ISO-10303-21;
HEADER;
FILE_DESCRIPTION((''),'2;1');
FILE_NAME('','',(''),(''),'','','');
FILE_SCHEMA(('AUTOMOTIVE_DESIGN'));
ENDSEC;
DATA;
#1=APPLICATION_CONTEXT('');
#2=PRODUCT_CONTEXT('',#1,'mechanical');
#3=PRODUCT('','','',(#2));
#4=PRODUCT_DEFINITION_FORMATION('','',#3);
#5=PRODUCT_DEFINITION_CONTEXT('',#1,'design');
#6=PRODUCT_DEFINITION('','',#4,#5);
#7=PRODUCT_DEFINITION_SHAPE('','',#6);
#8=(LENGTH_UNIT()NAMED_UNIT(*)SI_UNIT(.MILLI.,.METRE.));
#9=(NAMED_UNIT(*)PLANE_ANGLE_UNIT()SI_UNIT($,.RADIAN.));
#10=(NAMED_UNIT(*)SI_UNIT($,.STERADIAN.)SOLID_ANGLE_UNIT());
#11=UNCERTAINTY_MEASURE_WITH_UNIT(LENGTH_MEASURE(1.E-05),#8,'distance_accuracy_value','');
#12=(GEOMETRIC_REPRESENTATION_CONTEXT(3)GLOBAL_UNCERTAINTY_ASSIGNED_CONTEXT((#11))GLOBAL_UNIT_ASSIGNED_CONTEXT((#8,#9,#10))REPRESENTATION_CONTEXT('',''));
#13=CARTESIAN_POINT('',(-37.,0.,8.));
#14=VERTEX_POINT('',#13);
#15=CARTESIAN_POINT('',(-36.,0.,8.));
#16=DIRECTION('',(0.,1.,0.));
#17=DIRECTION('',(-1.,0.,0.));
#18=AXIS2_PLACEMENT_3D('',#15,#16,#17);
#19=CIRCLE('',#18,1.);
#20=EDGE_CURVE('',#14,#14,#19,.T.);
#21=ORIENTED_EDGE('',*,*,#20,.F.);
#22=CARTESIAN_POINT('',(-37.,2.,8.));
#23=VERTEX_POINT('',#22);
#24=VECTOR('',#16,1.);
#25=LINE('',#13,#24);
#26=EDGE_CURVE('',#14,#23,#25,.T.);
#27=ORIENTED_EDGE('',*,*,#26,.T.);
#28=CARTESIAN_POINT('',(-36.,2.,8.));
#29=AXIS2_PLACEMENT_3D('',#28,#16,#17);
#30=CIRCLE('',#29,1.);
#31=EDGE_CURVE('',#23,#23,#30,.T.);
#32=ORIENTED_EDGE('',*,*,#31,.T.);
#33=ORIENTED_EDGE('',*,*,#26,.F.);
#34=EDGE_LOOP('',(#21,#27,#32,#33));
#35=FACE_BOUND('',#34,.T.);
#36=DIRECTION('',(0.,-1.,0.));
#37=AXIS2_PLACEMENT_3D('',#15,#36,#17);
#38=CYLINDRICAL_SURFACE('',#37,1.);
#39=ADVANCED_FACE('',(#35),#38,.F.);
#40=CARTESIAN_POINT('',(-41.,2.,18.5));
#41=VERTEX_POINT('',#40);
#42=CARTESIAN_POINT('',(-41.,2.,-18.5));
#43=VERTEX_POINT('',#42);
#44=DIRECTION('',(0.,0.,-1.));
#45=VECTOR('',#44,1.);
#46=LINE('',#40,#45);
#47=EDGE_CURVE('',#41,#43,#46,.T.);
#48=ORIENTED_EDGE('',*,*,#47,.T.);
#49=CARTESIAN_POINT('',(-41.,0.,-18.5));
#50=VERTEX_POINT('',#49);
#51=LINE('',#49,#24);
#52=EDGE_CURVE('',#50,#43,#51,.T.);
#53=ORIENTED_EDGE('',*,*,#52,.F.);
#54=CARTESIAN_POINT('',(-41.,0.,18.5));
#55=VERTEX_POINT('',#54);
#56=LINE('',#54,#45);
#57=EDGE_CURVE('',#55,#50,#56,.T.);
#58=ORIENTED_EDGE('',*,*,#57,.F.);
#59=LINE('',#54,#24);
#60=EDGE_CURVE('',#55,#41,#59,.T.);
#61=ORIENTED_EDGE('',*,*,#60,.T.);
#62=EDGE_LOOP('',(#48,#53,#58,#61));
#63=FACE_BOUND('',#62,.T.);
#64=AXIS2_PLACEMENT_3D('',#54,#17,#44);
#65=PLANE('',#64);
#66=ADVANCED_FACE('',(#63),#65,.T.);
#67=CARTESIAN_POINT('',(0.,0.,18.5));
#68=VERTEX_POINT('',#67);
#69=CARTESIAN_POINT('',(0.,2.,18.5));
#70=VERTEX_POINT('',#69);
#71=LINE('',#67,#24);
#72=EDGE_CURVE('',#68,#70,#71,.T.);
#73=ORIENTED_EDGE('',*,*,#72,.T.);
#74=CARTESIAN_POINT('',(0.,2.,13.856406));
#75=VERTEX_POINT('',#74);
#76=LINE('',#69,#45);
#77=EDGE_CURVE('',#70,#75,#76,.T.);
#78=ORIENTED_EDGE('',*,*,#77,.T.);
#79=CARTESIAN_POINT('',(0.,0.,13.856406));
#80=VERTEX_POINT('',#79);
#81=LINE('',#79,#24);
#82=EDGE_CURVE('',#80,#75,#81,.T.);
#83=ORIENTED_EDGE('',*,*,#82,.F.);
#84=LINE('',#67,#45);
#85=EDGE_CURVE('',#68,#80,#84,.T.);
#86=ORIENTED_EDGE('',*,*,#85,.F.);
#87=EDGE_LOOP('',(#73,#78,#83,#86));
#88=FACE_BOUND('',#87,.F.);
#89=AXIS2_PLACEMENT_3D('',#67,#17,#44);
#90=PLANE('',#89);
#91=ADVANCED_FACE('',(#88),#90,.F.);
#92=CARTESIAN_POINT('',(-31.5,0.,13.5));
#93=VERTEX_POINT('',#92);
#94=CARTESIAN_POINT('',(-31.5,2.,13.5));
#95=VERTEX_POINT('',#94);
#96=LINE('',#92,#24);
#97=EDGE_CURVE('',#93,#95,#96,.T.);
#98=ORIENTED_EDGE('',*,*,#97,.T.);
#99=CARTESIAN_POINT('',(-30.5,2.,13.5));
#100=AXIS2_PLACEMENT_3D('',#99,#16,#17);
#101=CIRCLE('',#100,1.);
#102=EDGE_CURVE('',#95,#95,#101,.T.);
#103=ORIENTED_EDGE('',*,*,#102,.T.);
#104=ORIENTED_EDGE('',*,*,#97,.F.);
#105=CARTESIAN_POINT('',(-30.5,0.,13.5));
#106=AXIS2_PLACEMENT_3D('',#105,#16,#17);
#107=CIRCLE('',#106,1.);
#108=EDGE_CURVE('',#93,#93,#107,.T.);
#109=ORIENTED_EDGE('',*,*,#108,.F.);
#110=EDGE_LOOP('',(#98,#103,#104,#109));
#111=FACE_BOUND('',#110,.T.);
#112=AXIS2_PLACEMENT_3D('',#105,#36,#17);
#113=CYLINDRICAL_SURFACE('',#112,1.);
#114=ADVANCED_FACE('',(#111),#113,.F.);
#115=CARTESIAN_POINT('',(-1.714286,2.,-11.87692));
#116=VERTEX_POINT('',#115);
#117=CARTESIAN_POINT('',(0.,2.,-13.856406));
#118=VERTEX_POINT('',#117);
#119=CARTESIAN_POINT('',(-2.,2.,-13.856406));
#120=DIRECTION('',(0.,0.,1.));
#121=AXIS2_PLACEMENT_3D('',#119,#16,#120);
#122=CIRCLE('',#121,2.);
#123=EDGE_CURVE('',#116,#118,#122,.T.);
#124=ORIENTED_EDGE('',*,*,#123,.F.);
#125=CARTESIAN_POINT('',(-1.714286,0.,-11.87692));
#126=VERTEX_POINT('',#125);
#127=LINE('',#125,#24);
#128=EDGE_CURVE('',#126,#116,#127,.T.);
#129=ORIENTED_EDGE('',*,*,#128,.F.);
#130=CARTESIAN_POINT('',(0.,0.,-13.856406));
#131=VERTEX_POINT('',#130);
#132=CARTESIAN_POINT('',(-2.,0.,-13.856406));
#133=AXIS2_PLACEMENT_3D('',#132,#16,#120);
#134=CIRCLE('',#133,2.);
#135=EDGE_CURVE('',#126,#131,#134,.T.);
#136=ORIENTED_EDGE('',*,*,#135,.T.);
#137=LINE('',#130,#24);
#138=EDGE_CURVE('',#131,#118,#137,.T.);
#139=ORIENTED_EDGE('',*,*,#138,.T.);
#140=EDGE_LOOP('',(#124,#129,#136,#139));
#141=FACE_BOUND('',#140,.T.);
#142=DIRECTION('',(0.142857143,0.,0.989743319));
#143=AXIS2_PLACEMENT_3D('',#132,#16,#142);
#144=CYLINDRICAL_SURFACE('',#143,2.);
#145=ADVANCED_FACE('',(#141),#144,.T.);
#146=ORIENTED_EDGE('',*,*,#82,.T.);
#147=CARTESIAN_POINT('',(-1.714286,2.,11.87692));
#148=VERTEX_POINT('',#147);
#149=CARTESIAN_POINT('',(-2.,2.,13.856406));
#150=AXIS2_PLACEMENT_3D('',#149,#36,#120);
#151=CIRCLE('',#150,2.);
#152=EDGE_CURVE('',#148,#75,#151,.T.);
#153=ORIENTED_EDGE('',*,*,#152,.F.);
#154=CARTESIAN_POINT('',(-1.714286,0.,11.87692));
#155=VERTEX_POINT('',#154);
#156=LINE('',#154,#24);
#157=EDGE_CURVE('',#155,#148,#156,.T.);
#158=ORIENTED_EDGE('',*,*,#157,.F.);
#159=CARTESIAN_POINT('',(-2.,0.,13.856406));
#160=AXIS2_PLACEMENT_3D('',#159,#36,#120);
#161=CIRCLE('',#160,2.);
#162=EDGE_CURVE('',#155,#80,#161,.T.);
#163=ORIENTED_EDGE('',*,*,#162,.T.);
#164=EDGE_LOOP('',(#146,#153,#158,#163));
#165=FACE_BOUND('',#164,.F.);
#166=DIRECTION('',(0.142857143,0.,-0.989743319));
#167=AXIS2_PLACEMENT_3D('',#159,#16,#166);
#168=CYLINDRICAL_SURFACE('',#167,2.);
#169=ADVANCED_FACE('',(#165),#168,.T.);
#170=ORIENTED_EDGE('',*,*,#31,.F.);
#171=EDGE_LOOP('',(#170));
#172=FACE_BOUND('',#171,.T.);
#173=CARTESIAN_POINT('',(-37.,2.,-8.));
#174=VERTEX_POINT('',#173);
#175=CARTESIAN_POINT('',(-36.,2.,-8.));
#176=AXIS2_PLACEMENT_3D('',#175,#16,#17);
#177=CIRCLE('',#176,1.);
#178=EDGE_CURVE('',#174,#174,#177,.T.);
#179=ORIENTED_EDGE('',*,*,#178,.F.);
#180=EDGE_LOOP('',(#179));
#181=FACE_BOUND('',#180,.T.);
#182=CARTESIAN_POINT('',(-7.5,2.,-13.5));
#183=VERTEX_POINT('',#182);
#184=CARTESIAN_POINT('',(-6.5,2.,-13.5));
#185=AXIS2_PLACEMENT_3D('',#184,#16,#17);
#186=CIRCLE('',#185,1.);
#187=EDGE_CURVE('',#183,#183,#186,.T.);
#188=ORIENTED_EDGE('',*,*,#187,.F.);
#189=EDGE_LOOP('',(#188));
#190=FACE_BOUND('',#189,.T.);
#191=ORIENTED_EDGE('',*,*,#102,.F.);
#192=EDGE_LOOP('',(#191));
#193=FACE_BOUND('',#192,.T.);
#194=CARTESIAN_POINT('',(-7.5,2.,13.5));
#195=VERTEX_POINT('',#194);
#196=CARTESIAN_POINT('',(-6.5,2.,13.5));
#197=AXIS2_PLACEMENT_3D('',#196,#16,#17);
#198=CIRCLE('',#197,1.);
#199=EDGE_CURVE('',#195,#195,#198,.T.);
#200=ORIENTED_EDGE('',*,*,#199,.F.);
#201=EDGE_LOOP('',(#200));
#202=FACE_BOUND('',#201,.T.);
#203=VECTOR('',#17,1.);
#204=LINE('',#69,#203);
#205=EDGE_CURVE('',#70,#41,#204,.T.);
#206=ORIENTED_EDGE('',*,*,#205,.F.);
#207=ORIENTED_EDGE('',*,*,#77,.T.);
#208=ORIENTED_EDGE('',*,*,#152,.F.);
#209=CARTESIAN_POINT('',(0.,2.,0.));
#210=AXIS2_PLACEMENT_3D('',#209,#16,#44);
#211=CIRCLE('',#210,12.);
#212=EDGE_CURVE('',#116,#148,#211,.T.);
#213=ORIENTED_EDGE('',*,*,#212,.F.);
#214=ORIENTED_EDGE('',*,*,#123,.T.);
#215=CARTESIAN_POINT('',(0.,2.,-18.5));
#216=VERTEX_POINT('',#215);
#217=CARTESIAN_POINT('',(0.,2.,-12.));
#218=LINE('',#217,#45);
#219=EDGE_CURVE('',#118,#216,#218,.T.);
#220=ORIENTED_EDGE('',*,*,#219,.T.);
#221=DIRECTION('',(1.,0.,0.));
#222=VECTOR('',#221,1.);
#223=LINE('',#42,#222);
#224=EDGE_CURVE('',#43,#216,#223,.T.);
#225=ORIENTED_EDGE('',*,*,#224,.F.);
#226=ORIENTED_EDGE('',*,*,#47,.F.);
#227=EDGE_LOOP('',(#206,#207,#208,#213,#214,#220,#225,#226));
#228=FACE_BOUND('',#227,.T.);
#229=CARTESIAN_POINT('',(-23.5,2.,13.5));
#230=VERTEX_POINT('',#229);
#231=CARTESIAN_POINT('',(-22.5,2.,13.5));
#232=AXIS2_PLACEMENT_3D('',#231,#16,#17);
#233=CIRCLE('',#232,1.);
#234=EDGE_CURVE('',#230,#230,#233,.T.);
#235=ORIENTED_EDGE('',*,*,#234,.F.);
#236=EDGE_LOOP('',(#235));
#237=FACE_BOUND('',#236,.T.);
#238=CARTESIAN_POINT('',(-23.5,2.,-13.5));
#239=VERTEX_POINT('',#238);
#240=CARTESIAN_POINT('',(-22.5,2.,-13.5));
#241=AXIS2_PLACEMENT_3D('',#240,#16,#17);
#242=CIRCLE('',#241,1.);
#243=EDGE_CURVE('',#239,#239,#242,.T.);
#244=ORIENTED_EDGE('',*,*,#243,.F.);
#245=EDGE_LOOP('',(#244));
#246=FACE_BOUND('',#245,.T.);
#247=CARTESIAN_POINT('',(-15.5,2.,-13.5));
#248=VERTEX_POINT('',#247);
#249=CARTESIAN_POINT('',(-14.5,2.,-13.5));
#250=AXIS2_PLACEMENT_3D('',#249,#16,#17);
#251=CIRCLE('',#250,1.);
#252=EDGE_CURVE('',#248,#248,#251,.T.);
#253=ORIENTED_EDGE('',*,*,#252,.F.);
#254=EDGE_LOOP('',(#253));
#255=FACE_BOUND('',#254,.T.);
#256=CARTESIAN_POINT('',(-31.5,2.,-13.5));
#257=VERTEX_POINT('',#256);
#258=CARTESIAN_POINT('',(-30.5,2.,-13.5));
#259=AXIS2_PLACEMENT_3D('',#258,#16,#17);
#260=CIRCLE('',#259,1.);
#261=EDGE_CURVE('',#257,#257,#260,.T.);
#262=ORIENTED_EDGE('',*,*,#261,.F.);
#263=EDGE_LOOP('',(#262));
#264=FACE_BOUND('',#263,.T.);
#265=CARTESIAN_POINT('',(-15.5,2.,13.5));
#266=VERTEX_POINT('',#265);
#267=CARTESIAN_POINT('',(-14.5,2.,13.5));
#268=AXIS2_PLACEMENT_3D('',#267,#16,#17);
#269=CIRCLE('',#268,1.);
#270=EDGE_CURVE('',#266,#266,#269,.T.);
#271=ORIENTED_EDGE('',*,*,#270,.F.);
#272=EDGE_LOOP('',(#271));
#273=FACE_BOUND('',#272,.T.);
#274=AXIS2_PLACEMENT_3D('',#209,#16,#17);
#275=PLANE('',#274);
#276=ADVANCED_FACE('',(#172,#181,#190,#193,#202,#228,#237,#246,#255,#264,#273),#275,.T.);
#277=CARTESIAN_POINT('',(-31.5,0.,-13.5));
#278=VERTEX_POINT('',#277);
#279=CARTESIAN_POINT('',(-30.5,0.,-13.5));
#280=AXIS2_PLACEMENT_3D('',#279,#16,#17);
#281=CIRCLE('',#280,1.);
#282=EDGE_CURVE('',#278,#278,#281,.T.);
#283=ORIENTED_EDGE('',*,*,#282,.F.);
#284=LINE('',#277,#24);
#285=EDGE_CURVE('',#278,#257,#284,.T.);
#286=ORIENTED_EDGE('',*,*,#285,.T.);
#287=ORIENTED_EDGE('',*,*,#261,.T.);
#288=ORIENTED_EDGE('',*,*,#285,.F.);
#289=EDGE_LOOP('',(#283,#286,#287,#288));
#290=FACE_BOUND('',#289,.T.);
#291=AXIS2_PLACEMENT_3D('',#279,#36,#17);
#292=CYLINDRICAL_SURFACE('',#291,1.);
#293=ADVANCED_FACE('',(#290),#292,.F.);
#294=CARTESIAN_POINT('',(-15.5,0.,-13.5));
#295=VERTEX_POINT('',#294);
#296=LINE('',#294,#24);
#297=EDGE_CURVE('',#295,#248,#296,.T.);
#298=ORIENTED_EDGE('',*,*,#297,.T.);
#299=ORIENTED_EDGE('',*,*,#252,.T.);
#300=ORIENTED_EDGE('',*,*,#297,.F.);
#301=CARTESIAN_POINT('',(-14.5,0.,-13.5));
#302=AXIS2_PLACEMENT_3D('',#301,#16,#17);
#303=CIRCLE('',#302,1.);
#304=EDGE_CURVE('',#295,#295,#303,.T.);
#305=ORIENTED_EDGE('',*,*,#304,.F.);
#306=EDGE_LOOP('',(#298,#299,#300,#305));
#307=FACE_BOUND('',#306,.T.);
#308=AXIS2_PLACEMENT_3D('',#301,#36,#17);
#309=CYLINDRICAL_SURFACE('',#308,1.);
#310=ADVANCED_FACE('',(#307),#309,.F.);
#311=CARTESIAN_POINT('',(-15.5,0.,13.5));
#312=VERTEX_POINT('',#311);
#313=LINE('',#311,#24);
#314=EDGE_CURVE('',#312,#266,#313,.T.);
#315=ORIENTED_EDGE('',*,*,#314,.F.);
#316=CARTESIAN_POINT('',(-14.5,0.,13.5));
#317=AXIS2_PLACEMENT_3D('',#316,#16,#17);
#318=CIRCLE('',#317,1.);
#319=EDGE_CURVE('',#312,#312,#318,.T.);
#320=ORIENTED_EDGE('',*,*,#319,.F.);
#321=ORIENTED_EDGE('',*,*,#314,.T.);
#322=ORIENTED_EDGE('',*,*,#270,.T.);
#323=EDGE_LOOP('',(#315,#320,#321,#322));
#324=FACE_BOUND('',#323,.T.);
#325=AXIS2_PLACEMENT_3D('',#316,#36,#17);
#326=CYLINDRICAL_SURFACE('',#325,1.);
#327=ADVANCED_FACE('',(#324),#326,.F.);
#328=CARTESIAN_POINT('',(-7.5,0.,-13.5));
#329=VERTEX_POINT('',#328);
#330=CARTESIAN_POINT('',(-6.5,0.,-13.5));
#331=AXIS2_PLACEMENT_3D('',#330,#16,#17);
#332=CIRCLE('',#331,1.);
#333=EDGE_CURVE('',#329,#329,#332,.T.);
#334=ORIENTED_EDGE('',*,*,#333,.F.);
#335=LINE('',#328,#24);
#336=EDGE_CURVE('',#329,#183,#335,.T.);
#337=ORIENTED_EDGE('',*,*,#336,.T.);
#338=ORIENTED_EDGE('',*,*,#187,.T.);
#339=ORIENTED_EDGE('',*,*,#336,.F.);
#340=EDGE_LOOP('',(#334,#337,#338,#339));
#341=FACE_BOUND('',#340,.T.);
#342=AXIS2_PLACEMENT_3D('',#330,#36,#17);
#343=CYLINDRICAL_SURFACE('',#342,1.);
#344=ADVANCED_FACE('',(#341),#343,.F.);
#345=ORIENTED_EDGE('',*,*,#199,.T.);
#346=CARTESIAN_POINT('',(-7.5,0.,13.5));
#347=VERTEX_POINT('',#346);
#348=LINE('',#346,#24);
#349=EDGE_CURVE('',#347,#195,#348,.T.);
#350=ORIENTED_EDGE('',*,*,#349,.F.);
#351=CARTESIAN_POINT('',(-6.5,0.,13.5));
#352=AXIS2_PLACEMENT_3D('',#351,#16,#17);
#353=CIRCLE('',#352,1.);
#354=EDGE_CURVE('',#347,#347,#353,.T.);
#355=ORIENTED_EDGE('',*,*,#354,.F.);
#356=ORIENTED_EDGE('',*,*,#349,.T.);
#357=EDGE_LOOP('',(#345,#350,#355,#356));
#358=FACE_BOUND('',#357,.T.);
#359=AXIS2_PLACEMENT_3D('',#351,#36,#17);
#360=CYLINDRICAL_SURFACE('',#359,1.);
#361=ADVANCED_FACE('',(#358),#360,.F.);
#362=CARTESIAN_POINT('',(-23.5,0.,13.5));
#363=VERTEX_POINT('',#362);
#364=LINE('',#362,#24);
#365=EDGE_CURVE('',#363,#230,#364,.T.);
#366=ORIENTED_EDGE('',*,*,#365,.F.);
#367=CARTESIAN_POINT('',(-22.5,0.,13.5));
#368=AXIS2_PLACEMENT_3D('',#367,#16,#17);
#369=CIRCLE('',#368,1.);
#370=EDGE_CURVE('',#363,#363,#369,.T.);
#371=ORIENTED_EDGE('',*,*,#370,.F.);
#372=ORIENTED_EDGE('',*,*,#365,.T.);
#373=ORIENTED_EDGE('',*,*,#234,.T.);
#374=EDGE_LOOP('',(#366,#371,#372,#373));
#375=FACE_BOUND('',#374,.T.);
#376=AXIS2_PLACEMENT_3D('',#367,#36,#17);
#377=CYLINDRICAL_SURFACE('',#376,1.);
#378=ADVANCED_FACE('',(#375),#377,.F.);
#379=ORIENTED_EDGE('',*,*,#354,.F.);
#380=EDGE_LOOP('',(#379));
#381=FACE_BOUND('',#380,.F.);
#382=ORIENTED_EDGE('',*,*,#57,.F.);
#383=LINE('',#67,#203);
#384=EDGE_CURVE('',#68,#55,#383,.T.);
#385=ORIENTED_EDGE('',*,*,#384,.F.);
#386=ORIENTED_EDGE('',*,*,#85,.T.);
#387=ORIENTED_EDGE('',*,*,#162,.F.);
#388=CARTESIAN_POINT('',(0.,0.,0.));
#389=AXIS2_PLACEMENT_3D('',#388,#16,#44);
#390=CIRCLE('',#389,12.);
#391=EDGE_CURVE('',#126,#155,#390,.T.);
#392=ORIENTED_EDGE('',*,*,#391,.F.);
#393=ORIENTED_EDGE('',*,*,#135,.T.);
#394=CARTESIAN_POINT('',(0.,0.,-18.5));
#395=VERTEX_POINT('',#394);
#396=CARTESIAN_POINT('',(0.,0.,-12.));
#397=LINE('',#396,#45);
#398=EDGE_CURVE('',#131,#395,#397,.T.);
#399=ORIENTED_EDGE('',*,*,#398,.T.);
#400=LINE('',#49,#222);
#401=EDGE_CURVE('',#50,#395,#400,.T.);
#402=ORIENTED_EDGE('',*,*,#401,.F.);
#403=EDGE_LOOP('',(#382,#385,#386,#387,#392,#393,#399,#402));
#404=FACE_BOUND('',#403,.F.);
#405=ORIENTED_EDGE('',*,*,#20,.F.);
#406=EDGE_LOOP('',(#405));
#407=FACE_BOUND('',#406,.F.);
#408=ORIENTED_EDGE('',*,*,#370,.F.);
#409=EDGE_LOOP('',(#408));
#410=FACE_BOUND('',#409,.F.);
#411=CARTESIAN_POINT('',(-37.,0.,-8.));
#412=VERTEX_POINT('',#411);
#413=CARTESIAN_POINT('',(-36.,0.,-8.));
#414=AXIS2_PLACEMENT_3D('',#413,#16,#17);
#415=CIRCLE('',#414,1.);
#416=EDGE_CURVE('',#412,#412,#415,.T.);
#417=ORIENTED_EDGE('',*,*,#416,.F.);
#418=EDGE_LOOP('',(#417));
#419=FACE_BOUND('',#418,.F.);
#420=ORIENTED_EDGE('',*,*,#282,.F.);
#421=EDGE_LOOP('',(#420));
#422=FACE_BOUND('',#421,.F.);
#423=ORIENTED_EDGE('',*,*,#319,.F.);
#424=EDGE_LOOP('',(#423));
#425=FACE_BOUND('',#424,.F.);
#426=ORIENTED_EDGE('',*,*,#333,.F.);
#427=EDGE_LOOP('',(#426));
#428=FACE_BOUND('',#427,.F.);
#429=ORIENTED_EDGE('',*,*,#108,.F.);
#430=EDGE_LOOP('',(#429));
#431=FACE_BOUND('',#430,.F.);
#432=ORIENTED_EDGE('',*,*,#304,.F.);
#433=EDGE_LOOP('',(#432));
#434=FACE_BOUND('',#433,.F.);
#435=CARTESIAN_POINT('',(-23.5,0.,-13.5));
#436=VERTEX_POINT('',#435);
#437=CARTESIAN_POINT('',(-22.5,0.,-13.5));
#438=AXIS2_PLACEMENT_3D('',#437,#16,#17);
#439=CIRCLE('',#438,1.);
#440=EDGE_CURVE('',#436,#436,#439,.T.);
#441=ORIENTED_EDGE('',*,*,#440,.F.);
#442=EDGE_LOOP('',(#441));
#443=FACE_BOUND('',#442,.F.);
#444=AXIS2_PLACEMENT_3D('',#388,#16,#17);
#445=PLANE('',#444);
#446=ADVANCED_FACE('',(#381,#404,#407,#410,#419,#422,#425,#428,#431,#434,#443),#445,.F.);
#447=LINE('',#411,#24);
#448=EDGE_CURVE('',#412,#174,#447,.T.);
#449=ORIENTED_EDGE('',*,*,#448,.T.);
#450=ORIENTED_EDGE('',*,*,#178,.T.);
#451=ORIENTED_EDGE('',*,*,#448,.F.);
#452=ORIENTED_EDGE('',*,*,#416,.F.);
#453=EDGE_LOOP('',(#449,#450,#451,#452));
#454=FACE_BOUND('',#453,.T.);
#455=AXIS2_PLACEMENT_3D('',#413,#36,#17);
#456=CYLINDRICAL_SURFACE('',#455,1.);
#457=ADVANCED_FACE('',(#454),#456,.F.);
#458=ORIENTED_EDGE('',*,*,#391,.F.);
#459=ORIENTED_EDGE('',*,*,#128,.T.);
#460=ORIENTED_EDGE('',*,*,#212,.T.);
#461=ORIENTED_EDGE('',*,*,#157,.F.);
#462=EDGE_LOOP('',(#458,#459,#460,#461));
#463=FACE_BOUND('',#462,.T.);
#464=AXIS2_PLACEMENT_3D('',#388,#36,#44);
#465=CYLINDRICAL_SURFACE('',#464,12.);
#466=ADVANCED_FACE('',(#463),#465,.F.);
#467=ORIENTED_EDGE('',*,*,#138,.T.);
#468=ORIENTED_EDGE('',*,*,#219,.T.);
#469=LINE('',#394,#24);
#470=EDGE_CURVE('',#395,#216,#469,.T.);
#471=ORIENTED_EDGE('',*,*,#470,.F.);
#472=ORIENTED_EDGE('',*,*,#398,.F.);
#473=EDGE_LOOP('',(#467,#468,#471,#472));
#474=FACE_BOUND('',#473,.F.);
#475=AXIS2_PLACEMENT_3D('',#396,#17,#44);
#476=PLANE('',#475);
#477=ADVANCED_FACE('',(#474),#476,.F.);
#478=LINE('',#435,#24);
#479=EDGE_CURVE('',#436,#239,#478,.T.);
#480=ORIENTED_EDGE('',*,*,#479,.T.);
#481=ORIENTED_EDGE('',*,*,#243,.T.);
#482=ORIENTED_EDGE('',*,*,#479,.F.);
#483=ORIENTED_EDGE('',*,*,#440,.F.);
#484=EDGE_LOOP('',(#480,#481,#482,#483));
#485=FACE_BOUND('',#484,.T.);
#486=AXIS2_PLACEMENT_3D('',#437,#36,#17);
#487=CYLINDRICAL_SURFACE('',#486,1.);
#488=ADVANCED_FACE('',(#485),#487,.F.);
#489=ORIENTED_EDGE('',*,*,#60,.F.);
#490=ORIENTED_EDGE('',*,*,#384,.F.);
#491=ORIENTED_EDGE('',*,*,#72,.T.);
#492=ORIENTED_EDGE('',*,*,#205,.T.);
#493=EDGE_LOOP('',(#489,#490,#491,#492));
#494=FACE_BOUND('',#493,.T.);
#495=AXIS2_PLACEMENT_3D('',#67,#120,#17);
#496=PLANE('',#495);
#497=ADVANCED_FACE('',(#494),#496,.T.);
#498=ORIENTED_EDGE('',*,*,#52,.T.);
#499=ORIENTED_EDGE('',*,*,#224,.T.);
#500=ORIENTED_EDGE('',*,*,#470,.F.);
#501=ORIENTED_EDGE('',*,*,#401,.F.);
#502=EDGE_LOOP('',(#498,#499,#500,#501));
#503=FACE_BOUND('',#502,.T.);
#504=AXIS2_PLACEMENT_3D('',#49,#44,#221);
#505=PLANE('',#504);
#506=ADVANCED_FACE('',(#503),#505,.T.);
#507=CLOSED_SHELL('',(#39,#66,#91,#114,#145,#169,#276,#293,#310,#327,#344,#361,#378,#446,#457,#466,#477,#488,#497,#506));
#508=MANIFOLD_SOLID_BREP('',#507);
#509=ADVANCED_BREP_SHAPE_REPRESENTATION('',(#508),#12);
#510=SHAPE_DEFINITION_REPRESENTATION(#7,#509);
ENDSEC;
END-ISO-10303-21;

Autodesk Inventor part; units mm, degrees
ref_plane "YZ Plane" through (0, 0, 0) normal (1, 0, 0) x (0, 1, 0)
ref_plane "XZ Plane" through (0, 0, 0) normal (0, 1, 0) x (-1, 0, 0)
ref_plane "XY Plane" through (0, 0, 0) normal (0, 0, 1) x (1, 0, 0)
sketch "Esquisse1" plane through (0, 0, 0) normal (0, 1, 0) x (-1, 0, 0)
  line L0 (0, 0) -> (36, 0) construction
  line L1 (36, 0) -> (36, 8) construction
  line L2 (0, 0) -> (0, 13.5) construction
  line L3 (0, 13.5) -> (6.5, 13.5) construction
  line L4 (6.5, 13.5) -> (14.5, 13.5) construction
  line L5 (14.5, 13.5) -> (22.5, 13.5) construction
  line L6 (22.5, 13.5) -> (30.5, 13.5) construction
  circle A0 centre (6.5, 13.5) radius 1
  circle A1 centre (14.5, 13.5) radius 1
  circle A2 centre (22.5, 13.5) radius 1
  circle A3 centre (30.5, 13.5) radius 1
  circle A4 centre (36, 8) radius 1
  circle A5 centre (6.5, -13.5) radius 1
  circle A6 centre (14.5, -13.5) radius 1
  circle A7 centre (22.5, -13.5) radius 1
  circle A8 centre (30.5, -13.5) radius 1
  circle A9 centre (36, -8) radius 1
  line L7 (6.5, 13.5) -> (6.5, 18.5) construction
  line L8 (36, 8) -> (41, 8) construction
  circle A10 centre (0, 0) radius 12 construction
  line L9 (0, 18.5) -> (41, 18.5)
  line L10 (41, 18.5) -> (41, -18.5)
  line L11 (41, -18.5) -> (0, -18.5)
  line L12 (6.5, -13.5) -> (6.5, -18.5) construction
  line L13 (0, 18.5) -> (0, 12)
  line L14 (0, 0) -> (0, -18.5) construction
  line L15 (0, -12) -> (0, -18.5)
  arc A11 (0, -12) -> (0, 12) centre (0, 0) ccw
  dimension "d23" = 36
  dimension "d24" = 8
  dimension "d25" = 13.5
  dimension "d26" = 6.5
  dimension "d27" = 8
  dimension "d28" = 8
  dimension "d29" = 8
  dimension "d30" = 2
  dimension "d31" = 5
  dimension "d33" = 24
extrude "Extrusion2" add sketch "Esquisse1" along normal blind 2
fillet "Congé1" radius 2 1 edges at (0, 1, 12)
fillet "Congé2" radius 2 1 edges at (0, 1, -12)
properties part number "AX12_gabarit"
